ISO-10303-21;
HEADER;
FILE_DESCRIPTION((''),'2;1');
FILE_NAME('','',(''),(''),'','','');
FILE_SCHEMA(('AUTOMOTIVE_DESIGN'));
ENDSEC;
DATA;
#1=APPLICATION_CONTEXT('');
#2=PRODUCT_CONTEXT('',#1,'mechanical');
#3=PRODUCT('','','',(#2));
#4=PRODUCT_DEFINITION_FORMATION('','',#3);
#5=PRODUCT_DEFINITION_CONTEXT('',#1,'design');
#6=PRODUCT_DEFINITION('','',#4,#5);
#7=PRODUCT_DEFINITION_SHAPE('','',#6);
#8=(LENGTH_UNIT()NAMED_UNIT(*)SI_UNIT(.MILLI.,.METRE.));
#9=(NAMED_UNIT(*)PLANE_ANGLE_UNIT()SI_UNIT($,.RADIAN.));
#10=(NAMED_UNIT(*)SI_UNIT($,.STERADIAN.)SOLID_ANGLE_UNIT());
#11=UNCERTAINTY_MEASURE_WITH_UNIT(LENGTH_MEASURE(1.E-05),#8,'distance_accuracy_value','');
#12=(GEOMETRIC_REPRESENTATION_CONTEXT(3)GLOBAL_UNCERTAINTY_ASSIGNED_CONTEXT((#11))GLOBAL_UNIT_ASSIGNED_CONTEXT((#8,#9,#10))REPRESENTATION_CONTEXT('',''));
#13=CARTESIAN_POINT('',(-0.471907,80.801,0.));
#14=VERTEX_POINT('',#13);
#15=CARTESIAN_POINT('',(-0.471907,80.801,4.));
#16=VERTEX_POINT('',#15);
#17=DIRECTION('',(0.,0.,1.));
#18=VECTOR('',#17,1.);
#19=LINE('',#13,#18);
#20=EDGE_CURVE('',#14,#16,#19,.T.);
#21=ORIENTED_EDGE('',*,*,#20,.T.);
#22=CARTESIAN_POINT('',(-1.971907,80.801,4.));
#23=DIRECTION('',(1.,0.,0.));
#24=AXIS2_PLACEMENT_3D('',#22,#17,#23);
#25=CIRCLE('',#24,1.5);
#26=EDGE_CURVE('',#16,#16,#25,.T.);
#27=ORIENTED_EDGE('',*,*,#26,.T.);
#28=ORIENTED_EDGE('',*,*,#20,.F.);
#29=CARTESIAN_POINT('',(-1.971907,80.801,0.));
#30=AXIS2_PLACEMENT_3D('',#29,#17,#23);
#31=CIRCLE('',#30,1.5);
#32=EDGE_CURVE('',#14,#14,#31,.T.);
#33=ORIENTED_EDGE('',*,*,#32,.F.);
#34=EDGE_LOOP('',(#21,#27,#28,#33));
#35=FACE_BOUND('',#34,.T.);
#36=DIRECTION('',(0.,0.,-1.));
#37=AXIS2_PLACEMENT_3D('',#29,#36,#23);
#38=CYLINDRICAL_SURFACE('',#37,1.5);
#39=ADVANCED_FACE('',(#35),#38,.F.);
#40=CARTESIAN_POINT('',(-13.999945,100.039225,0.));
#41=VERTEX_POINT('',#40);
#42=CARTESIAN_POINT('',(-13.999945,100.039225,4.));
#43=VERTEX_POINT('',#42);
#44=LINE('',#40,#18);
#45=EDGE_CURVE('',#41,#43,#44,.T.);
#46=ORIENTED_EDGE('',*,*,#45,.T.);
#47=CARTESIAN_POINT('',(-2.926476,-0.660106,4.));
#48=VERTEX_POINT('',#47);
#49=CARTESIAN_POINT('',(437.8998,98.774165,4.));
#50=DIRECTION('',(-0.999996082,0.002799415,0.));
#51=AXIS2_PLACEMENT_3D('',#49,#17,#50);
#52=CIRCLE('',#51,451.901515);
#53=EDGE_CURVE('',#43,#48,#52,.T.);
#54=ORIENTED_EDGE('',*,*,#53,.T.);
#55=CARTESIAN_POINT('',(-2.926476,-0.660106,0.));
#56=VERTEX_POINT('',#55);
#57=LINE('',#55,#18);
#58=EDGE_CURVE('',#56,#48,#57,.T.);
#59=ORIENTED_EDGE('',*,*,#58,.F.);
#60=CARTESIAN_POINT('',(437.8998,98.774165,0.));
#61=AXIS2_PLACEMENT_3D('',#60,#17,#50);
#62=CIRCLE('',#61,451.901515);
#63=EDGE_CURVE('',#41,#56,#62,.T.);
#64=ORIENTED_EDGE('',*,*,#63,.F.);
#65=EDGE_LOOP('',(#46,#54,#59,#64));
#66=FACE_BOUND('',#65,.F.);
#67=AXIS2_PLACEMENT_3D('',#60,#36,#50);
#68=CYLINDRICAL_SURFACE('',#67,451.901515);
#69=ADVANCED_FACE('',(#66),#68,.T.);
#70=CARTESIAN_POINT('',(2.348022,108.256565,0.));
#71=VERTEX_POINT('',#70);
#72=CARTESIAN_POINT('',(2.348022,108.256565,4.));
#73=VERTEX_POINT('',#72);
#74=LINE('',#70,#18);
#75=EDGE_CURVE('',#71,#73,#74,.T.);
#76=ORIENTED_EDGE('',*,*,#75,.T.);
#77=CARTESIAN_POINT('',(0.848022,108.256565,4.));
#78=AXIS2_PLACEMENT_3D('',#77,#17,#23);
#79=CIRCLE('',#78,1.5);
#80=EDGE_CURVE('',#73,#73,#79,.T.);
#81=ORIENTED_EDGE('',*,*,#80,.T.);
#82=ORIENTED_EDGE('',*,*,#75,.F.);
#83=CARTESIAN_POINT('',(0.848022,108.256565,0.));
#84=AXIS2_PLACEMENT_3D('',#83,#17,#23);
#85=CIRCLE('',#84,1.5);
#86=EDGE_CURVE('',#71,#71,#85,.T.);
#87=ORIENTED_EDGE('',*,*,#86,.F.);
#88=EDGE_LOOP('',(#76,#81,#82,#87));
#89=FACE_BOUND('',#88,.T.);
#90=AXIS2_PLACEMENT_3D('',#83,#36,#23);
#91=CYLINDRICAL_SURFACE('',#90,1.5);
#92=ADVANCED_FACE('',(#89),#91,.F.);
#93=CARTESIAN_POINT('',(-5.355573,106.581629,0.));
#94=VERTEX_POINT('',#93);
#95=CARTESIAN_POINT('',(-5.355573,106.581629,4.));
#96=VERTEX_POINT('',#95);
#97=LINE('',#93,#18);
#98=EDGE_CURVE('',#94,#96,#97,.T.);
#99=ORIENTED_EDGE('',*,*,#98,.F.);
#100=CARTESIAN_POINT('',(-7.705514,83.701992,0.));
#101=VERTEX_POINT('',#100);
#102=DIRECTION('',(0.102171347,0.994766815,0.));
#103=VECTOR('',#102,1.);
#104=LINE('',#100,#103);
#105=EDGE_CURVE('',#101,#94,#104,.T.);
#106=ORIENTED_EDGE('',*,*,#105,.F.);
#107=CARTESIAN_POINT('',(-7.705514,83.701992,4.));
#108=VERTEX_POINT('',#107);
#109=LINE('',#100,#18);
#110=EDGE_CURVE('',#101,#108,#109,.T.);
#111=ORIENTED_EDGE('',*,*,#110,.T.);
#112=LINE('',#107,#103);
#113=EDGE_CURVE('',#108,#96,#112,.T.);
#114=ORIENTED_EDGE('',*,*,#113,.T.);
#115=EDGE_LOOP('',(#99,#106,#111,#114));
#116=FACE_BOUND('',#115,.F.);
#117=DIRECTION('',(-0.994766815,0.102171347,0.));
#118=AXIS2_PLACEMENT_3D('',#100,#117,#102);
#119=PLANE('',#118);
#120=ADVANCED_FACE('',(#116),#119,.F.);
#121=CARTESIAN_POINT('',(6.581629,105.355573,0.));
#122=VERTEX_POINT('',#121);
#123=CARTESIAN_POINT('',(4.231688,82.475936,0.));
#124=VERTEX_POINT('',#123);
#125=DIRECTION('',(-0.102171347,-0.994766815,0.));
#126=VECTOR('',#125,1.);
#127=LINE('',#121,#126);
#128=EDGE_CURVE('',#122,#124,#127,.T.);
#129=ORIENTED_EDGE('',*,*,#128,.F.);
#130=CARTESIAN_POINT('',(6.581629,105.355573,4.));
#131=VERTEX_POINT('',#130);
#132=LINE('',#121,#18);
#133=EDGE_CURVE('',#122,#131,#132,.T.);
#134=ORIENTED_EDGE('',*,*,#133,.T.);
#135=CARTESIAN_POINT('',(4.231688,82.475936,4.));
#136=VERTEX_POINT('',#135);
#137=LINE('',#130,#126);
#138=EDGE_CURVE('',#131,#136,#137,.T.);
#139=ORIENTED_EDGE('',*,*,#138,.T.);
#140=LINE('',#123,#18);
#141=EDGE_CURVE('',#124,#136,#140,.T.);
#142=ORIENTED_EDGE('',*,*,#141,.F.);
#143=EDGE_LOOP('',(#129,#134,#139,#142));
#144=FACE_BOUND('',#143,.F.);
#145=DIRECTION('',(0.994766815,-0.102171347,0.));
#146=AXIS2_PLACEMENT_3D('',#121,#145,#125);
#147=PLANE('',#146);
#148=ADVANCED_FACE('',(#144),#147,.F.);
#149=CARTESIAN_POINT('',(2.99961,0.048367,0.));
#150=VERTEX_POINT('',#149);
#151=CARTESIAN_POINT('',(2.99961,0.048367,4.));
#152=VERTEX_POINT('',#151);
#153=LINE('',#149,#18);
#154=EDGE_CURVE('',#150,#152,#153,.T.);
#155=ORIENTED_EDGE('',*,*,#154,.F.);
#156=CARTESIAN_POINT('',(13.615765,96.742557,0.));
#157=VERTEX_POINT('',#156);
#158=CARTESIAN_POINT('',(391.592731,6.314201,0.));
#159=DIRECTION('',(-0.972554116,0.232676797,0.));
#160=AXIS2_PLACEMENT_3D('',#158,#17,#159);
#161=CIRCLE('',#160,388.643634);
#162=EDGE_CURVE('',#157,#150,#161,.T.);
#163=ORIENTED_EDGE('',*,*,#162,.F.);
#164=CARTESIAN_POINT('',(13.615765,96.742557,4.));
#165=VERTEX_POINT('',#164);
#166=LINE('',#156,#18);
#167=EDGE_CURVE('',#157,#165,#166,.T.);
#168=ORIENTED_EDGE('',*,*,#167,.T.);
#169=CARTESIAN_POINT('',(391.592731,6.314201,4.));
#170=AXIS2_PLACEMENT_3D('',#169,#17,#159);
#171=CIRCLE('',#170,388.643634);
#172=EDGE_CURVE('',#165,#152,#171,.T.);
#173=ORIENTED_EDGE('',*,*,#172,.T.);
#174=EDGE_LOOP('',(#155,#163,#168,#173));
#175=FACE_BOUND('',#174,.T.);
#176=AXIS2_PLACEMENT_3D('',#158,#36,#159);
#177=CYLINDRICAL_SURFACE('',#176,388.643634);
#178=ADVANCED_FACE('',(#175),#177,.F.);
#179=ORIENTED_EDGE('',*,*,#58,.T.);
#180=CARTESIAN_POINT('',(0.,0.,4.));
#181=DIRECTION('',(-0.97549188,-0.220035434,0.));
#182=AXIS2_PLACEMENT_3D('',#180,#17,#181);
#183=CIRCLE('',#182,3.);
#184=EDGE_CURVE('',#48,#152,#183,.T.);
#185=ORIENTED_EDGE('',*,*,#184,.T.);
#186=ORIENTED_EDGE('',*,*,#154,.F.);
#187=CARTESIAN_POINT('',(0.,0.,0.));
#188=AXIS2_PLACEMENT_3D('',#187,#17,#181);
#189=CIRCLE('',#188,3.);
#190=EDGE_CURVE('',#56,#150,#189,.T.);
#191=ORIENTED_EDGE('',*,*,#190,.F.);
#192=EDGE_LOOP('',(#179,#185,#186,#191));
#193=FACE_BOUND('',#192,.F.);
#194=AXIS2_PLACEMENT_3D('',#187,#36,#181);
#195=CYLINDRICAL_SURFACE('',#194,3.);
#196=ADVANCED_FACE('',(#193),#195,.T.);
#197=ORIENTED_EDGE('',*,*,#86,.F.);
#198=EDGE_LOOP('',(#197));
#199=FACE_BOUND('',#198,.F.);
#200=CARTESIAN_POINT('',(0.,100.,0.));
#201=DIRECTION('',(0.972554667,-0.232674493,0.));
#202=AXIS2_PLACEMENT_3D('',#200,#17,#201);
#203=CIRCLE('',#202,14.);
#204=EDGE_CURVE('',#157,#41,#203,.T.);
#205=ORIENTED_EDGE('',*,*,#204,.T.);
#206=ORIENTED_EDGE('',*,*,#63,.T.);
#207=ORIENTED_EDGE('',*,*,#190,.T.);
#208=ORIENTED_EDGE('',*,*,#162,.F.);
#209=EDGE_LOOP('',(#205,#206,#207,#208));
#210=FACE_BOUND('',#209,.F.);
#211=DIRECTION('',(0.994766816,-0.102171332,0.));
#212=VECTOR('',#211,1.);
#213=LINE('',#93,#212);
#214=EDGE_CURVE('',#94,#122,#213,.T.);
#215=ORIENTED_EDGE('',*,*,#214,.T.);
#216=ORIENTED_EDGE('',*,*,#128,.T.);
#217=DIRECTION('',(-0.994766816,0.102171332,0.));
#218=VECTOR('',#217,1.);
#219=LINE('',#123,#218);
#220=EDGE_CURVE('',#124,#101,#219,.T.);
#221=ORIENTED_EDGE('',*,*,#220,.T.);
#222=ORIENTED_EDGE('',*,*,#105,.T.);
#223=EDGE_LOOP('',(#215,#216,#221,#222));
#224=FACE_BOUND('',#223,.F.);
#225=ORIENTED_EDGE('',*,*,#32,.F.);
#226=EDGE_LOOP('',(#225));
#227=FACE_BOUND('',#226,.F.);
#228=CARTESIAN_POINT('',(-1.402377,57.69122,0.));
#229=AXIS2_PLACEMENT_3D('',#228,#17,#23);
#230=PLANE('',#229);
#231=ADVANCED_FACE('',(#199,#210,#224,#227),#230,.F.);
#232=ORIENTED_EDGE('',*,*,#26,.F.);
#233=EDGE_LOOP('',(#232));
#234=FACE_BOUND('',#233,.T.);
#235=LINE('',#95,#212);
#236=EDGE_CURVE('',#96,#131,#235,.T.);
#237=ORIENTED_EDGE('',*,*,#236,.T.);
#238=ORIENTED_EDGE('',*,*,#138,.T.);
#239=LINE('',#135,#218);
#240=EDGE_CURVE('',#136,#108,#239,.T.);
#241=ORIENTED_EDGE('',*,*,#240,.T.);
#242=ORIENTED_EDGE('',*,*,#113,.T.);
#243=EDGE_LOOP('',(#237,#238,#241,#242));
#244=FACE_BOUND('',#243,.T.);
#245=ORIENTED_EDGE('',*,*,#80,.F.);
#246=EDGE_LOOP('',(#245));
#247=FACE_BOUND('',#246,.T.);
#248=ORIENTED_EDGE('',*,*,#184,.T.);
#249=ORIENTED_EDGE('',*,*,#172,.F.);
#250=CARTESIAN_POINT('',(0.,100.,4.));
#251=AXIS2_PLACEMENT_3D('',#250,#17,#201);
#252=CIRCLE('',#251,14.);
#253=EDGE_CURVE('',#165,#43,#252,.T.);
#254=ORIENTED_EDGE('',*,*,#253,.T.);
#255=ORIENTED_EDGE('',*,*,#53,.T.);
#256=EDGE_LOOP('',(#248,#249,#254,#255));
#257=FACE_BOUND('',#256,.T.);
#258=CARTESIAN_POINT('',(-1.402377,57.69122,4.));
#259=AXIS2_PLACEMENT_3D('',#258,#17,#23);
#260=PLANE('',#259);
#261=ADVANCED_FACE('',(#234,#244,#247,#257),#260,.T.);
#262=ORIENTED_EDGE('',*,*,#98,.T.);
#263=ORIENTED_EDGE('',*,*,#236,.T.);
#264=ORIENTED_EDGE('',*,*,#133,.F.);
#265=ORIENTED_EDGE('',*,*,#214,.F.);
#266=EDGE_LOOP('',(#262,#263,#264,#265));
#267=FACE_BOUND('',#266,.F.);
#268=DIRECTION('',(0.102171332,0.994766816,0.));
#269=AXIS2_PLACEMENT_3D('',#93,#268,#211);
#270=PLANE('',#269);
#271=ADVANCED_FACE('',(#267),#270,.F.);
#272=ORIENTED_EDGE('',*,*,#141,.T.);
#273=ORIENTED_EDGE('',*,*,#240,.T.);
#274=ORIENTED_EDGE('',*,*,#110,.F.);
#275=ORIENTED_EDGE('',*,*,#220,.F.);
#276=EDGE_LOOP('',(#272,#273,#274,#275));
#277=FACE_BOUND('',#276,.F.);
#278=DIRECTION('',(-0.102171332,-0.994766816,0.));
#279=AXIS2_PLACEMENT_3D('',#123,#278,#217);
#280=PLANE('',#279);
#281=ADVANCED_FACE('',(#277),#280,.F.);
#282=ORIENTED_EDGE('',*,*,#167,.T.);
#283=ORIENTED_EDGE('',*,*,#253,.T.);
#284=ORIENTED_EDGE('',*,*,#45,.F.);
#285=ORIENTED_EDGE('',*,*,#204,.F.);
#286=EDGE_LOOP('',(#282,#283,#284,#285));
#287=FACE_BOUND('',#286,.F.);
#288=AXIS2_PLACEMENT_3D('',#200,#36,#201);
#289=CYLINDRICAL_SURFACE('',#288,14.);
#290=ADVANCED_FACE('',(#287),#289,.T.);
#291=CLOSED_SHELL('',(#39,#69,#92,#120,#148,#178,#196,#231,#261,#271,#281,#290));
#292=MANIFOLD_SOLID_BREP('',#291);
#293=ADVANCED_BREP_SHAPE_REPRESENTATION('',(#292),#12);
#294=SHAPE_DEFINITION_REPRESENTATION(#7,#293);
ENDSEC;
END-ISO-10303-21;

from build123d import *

# Parameters (mm, degrees)
SKETCH_R  = 1.5
PAD_DEPTH = 4


with BuildPart() as part:
    # Sketch → Pad (new body)
    with BuildSketch(Plane.XY):
        with BuildLine():
            ThreePointArc((13.615765, 96.742557), (1.659489, 113.901298), (-13.999945, 100.039225))
            ThreePointArc((-13.999945, 100.039225), (-11.293951, 49.378275), (-2.926476, -0.660106))
            ThreePointArc((-2.926476, -0.660106), (0.356119, -2.978788), (2.99961, 0.048367))
            ThreePointArc((13.615765, 96.742557), (5.2705, 48.728918), (2.99961, 0.048367))
        make_face()
        with Locations((0.848022, 108.256565)):
            Circle(SKETCH_R, mode=Mode.SUBTRACT)
        with Locations((-1.971907, 80.801)):
            Circle(SKETCH_R, mode=Mode.SUBTRACT)
        Polygon((-5.355573, 106.581629), (6.581629, 105.355573), (4.231688, 82.475936), (-7.705514, 83.701992), align=None, mode=Mode.SUBTRACT)
    extrude(amount=PAD_DEPTH)


solid = part.part
